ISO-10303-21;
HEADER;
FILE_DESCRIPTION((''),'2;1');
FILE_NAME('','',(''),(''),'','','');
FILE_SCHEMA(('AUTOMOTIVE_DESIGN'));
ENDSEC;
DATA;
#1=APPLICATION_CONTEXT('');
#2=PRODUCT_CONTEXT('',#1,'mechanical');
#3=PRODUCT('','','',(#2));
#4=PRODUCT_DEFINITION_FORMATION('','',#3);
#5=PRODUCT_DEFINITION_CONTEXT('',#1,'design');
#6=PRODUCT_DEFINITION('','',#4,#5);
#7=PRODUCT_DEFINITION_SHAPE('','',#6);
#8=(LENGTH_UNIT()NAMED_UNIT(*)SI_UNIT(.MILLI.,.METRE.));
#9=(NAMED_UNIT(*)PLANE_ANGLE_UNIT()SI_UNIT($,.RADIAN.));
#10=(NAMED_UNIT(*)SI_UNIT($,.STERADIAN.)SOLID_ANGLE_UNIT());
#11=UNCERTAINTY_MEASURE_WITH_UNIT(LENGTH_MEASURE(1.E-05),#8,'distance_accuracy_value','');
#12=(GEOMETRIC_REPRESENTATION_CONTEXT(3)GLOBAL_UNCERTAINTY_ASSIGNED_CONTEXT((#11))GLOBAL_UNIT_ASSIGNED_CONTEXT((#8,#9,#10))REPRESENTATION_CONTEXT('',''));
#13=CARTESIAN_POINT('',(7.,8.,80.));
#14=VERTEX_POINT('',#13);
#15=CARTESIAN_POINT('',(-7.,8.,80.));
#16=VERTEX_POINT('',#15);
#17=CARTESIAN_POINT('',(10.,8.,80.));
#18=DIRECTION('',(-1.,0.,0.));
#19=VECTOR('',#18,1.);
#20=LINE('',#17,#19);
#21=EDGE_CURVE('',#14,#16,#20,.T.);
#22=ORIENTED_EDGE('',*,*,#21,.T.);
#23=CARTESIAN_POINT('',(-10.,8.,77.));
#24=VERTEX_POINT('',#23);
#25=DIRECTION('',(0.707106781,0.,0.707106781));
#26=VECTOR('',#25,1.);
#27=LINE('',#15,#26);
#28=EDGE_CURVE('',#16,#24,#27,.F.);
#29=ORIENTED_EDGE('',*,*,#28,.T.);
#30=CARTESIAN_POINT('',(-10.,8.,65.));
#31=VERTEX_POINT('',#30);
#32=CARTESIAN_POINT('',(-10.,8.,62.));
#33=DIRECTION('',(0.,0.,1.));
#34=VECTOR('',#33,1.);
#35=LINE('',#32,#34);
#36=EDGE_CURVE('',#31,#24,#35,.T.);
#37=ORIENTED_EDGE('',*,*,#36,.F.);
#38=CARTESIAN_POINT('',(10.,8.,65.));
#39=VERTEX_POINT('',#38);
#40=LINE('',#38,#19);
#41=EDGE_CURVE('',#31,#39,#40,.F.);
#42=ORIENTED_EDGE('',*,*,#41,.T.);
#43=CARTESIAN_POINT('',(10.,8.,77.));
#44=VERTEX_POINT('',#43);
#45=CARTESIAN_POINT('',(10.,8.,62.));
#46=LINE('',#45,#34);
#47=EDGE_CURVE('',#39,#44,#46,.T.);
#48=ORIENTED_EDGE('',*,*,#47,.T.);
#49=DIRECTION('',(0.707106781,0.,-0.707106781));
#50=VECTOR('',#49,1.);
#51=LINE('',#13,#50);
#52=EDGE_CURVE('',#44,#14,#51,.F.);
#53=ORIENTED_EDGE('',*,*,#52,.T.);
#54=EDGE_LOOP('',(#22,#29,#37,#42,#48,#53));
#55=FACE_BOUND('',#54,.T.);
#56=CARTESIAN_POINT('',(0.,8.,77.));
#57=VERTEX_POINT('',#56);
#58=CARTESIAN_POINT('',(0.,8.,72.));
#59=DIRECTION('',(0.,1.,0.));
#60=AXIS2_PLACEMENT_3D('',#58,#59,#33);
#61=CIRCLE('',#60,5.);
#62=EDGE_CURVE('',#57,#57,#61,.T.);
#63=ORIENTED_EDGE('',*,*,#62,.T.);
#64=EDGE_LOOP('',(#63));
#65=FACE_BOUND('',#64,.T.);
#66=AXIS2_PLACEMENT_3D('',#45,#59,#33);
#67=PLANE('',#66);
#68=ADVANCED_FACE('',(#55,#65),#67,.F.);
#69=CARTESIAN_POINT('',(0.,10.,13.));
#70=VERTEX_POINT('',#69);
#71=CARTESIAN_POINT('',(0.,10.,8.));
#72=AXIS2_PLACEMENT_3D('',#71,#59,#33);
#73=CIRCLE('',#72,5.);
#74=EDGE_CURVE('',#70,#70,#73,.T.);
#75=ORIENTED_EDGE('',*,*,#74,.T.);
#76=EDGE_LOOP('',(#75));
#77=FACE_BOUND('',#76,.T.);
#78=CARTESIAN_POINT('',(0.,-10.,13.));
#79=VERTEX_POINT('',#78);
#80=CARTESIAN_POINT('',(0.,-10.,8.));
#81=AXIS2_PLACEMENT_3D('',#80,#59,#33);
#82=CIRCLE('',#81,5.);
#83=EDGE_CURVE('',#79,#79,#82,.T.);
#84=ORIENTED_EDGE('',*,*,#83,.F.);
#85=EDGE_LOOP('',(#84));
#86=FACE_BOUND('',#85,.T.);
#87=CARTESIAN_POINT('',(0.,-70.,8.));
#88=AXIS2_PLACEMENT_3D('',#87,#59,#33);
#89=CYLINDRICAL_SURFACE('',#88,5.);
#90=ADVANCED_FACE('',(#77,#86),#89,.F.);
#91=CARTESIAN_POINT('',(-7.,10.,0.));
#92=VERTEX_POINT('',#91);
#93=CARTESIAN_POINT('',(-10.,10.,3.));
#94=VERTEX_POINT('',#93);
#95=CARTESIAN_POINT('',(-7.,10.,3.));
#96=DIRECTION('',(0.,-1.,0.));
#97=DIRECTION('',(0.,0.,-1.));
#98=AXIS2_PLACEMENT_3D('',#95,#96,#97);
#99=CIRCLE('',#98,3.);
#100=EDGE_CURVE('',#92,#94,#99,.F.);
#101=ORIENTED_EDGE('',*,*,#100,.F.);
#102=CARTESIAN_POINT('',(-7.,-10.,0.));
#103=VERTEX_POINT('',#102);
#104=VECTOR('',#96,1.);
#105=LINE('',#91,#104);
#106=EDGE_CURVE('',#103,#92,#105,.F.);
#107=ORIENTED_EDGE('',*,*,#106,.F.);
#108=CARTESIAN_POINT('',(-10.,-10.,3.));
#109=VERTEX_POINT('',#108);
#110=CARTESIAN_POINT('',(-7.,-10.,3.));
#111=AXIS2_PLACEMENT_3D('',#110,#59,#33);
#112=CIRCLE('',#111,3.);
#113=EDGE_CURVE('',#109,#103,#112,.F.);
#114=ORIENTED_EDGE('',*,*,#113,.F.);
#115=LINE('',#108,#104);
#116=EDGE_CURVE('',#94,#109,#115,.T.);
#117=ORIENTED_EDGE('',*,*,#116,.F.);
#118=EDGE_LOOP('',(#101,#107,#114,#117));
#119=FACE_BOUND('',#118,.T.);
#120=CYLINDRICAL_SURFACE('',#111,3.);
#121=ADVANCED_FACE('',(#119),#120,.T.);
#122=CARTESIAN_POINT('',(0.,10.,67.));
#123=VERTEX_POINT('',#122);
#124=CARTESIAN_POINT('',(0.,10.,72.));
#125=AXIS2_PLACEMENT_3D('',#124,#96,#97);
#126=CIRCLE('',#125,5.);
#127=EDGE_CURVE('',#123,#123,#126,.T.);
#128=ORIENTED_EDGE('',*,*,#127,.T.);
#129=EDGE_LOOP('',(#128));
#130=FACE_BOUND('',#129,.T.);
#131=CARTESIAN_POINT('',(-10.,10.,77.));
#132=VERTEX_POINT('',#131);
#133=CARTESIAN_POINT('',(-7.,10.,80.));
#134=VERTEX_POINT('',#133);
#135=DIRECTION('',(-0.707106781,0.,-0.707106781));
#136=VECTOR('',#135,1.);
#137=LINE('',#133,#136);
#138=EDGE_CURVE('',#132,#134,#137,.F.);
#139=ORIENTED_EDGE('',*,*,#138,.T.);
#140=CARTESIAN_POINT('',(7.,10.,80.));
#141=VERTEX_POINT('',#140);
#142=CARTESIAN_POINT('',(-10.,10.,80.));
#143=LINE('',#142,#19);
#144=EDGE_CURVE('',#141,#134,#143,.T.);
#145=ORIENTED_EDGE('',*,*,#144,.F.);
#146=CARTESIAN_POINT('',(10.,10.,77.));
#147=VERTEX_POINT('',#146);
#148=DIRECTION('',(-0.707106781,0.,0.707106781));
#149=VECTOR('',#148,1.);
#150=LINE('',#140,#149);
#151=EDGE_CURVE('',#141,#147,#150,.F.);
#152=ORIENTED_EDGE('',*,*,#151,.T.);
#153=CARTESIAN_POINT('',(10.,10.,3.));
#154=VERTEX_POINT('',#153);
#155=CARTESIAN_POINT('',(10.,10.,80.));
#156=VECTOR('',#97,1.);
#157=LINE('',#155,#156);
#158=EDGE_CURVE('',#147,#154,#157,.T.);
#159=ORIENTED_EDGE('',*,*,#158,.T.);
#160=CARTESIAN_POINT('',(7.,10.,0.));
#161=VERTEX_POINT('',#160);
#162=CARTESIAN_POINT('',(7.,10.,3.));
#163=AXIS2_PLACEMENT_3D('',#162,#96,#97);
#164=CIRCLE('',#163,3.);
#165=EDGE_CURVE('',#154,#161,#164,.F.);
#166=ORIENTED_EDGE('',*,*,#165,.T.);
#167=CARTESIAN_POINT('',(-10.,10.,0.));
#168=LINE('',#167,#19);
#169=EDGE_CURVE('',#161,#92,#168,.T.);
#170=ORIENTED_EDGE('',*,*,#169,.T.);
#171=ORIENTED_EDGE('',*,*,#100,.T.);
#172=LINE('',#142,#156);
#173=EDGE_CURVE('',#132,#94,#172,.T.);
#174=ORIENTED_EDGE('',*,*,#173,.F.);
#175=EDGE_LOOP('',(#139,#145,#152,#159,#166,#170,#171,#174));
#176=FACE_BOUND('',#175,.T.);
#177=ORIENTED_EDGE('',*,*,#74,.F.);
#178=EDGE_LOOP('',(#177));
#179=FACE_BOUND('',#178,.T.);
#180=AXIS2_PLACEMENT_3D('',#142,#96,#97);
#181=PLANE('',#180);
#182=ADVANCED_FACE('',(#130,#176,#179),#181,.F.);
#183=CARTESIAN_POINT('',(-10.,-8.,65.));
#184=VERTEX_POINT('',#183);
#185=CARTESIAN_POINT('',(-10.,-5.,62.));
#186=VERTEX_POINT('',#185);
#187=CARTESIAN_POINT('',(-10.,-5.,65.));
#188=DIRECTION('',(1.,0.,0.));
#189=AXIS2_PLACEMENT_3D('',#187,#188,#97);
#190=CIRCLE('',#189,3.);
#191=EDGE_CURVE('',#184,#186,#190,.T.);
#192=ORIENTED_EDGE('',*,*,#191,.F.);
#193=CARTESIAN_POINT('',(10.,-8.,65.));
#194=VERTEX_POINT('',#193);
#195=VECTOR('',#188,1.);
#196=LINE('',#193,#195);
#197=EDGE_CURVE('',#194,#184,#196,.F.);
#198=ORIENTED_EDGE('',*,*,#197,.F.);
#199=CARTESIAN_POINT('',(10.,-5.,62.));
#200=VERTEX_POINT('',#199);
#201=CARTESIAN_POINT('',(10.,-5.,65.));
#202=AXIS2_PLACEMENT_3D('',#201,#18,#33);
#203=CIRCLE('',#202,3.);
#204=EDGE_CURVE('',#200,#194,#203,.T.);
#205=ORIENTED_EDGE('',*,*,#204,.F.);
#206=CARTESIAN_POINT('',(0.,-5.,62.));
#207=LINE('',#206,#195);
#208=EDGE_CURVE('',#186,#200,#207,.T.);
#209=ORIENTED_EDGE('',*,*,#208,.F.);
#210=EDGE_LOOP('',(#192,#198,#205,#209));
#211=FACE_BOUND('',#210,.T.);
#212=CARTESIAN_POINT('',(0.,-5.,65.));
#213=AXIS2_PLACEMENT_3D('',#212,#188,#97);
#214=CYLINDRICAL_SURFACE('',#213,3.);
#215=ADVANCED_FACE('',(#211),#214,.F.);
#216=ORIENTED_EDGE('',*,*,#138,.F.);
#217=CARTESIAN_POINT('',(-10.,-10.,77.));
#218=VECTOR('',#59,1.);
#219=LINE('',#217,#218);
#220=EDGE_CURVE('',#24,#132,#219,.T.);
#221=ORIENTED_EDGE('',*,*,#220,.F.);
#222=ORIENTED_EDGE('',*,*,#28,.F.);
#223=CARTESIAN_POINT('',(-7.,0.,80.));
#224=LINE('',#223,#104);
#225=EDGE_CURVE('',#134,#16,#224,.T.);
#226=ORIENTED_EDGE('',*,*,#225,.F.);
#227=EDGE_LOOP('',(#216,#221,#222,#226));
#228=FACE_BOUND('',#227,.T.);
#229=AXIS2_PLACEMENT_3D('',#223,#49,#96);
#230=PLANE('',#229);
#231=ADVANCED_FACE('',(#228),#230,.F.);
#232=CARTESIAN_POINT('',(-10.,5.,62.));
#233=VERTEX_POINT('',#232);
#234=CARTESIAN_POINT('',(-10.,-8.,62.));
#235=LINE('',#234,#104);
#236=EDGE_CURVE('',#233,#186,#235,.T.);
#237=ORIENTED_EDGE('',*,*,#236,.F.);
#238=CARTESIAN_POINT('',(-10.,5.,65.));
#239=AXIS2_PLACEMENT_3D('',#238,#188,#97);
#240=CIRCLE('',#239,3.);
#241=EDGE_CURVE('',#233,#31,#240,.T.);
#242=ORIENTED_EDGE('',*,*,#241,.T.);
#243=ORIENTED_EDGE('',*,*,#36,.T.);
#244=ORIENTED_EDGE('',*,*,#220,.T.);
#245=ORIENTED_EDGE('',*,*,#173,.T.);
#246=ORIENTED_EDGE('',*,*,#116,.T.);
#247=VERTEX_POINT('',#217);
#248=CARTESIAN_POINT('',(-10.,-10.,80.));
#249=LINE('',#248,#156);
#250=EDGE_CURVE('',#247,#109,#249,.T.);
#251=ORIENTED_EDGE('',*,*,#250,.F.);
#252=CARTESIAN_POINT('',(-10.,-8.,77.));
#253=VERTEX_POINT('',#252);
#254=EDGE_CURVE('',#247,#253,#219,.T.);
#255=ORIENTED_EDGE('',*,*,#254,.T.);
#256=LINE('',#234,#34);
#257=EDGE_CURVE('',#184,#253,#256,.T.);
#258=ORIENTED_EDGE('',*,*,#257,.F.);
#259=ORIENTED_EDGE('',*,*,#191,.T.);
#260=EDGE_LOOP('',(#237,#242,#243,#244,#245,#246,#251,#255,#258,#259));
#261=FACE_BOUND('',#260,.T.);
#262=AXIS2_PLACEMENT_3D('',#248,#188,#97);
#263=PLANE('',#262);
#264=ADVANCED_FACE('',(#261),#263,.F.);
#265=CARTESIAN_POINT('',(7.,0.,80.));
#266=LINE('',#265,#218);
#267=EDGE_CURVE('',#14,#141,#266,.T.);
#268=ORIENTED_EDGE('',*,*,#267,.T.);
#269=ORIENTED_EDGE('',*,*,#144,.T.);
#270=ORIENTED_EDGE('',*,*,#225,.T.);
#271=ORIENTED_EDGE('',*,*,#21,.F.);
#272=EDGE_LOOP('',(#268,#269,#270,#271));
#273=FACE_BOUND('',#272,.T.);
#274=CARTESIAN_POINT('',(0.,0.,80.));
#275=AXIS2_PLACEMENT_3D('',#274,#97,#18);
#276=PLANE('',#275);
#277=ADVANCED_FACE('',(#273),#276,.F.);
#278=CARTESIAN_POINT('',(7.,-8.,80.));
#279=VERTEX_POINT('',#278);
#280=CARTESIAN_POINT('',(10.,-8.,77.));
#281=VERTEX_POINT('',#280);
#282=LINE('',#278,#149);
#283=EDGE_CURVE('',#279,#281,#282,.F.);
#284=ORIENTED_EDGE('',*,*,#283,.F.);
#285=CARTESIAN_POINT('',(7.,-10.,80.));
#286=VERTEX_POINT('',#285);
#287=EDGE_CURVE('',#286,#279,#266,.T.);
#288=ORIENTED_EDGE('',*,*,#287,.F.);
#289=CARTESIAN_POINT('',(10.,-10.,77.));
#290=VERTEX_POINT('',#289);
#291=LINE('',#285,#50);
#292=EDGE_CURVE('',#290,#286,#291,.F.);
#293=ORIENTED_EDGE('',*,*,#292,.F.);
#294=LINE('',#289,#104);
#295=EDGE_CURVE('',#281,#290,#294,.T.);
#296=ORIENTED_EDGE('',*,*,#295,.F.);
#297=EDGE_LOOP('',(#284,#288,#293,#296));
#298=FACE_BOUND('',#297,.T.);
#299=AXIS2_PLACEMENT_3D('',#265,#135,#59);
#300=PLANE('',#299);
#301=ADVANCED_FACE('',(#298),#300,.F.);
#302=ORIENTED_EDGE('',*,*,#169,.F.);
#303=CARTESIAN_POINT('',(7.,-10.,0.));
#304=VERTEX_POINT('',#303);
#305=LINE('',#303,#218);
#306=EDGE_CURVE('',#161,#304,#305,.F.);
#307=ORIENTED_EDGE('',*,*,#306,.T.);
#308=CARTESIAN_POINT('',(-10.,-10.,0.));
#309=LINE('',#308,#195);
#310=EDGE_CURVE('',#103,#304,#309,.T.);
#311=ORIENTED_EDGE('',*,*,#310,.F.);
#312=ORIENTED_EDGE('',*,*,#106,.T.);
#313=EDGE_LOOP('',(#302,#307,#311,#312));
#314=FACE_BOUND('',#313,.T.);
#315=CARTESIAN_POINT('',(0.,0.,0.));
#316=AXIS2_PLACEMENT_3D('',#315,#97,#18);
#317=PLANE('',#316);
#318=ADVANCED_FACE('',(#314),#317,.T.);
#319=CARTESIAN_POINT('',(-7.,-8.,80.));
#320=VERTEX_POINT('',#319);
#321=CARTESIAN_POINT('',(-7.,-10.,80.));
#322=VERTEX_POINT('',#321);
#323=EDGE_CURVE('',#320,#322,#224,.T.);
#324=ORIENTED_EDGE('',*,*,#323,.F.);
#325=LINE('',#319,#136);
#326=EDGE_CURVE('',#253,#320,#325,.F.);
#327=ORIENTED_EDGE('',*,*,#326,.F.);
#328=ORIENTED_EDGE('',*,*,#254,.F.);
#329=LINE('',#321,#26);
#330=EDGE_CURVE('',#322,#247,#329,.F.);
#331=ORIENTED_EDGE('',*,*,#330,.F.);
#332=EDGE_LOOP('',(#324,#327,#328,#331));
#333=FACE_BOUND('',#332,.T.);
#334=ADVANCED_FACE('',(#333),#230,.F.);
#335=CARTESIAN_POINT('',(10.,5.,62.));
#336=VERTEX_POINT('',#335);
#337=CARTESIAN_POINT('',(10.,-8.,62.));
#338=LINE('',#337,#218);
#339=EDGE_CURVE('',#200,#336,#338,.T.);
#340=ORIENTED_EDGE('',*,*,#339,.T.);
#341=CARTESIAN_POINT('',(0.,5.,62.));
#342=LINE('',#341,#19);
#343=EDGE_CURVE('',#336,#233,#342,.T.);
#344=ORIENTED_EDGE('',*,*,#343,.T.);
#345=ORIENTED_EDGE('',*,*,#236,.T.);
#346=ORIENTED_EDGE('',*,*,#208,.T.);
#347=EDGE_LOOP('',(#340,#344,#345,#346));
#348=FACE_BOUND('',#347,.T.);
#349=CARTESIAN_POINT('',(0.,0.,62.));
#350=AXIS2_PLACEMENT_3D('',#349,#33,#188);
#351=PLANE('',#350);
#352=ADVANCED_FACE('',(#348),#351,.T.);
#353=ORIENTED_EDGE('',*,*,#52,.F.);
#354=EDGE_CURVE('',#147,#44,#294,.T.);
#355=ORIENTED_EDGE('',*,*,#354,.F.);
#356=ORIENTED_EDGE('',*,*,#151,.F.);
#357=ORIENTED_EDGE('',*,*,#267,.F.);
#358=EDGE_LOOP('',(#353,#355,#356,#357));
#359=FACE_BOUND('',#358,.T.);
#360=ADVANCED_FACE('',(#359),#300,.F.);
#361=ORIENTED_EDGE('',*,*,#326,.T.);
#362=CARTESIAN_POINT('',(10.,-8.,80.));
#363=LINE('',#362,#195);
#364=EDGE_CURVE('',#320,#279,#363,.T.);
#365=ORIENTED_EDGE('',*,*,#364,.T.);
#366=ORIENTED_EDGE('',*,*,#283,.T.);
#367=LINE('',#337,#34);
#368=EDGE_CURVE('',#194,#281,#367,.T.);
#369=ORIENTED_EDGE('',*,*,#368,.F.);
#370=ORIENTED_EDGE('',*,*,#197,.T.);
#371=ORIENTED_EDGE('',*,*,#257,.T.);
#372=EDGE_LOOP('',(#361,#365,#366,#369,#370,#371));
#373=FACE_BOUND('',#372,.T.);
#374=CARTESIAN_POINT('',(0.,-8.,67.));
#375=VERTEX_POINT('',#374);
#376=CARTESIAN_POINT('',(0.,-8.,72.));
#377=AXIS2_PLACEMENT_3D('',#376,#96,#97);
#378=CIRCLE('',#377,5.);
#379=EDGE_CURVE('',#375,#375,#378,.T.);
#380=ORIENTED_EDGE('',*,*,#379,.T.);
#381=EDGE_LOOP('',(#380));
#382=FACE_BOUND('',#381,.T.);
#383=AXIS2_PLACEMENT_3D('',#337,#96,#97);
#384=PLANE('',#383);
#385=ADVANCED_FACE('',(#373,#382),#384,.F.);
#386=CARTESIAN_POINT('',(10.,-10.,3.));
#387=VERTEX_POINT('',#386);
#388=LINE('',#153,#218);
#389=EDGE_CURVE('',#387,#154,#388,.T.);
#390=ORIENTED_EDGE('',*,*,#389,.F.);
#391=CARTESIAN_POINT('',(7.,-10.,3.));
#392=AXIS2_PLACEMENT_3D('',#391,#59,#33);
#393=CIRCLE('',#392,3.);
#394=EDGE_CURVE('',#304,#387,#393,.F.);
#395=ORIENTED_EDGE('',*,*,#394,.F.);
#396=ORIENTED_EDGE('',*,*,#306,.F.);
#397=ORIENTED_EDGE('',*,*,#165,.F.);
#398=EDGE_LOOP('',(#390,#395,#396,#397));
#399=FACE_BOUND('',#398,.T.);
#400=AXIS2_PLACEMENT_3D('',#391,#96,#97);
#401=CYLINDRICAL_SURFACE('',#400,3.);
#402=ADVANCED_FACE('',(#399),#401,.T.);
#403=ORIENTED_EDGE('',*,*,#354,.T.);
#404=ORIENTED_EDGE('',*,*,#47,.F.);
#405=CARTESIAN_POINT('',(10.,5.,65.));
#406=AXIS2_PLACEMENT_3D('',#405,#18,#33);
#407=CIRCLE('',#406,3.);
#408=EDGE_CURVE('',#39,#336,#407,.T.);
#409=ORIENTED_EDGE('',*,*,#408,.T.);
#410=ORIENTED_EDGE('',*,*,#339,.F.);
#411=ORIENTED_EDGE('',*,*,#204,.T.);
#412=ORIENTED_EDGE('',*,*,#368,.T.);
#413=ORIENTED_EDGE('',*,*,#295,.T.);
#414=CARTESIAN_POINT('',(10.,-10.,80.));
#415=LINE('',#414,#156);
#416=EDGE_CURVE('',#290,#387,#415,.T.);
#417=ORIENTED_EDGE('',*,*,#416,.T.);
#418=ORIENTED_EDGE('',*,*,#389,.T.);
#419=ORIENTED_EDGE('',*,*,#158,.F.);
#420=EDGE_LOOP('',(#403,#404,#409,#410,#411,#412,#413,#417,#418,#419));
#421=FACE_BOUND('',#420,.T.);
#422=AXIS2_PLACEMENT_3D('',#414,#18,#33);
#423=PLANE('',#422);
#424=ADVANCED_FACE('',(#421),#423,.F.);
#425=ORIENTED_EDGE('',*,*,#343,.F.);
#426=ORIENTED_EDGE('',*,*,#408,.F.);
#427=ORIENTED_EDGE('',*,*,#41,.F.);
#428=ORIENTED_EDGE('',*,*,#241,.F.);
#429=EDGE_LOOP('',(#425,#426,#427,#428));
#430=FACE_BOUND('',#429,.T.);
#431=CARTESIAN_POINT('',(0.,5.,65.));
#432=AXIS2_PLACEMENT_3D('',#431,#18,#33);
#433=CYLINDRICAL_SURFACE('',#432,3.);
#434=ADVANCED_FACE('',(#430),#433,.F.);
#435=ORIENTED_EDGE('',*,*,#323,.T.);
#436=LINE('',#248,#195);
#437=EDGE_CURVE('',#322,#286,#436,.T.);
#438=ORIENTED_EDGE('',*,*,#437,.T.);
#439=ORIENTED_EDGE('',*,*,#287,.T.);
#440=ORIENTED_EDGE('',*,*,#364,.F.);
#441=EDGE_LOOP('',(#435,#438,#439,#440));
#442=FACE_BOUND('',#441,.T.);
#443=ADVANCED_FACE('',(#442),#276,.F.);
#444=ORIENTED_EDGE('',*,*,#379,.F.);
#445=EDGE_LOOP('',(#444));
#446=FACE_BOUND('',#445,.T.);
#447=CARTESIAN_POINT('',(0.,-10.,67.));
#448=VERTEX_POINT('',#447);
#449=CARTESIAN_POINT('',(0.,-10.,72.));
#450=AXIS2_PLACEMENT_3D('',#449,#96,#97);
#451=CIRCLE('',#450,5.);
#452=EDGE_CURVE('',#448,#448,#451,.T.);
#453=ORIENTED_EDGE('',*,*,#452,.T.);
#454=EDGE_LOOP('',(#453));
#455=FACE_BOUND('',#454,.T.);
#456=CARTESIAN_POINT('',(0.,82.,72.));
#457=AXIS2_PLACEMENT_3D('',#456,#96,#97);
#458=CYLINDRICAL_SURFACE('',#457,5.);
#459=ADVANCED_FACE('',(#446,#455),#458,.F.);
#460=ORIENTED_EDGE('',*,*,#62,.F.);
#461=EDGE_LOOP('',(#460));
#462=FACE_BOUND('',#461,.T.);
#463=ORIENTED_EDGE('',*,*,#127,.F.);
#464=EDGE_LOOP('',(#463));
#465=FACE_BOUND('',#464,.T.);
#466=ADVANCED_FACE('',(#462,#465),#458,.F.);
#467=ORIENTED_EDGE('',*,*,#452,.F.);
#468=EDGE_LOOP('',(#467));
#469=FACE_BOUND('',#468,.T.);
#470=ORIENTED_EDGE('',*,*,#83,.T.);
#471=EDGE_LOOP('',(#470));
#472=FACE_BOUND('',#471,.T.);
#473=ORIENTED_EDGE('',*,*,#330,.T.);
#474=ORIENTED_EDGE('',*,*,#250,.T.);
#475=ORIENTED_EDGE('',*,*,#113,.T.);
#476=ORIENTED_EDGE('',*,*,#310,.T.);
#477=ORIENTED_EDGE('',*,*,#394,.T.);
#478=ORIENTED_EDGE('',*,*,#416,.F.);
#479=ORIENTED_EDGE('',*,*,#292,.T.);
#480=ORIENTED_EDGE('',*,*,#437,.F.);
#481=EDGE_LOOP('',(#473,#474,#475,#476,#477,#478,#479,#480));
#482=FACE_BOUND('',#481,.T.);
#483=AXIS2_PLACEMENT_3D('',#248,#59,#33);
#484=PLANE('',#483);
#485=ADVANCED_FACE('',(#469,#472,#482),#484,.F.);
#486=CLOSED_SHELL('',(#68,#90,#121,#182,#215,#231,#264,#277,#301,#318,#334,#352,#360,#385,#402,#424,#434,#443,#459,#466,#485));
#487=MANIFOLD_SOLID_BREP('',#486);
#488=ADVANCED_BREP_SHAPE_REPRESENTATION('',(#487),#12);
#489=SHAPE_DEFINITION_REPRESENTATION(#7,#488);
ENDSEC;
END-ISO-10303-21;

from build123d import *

# Parameters (mm, degrees)
SKETCH1_W           = 20
SKETCH1_H           = 20
BOSS_EXTRUDE1_DEPTH = 80
SKETCH2_R           = 5
CUT_EXTRUDE1_DEPTH  = 80
SKETCH3_W           = 20
SKETCH3_H           = 16
CUT_EXTRUDE2_DEPTH  = 18
SKETCH4_R           = 5
CUT_EXTRUDE3_DEPTH  = 92
FILLET1_R           = 3
CHAMFER1_SIZE       = 3


with BuildPart() as part:
    # Sketch1 → Boss-Extrude1 (new body)
    with BuildSketch(Plane.XY):
        Rectangle(SKETCH1_W, SKETCH1_H)
    extrude(amount=BOSS_EXTRUDE1_DEPTH)

    # Sketch2 → Cut-Extrude1 (cut)
    with BuildSketch(Plane(origin=(0, 10, 0), x_dir=(1, 0, 0), z_dir=(0, 1, 0))):
        with Locations(Location((0, -8, 0), (0, 0, 270))):
            Circle(SKETCH2_R)
    extrude(amount=-CUT_EXTRUDE1_DEPTH, mode=Mode.SUBTRACT)

    # Sketch3 → Cut-Extrude2 (cut)
    with BuildSketch(Plane.XY.offset(80)):
        Rectangle(SKETCH3_W, SKETCH3_H)
    extrude(amount=-CUT_EXTRUDE2_DEPTH, mode=Mode.SUBTRACT)

    # Sketch4 → Cut-Extrude3 (cut)
    with BuildSketch(Plane.XZ.offset(10)):
        with Locations(Location((0, 72, 0), (0, 0, 270))):
            Circle(SKETCH4_R)
    extrude(amount=-CUT_EXTRUDE3_DEPTH, mode=Mode.SUBTRACT)

    # Fillet1
    fillet1_edges = [part.edges().sort_by_distance(p)[0] for p in [
        (0, 8, 62),
        (0, -8, 62),
        (-10, 0, 0),
        (10, 0, 0),
    ]]
    fillet(fillet1_edges, radius=FILLET1_R)

    # Chamfer1
    chamfer1_edges = [part.edges().sort_by_distance(p)[0] for p in [
        (-10, 9, 80),
        (10, 9, 80),
        (-10, -9, 80),
        (10, -9, 80),
    ]]
    chamfer(chamfer1_edges, length=CHAMFER1_SIZE)


solid = part.part
